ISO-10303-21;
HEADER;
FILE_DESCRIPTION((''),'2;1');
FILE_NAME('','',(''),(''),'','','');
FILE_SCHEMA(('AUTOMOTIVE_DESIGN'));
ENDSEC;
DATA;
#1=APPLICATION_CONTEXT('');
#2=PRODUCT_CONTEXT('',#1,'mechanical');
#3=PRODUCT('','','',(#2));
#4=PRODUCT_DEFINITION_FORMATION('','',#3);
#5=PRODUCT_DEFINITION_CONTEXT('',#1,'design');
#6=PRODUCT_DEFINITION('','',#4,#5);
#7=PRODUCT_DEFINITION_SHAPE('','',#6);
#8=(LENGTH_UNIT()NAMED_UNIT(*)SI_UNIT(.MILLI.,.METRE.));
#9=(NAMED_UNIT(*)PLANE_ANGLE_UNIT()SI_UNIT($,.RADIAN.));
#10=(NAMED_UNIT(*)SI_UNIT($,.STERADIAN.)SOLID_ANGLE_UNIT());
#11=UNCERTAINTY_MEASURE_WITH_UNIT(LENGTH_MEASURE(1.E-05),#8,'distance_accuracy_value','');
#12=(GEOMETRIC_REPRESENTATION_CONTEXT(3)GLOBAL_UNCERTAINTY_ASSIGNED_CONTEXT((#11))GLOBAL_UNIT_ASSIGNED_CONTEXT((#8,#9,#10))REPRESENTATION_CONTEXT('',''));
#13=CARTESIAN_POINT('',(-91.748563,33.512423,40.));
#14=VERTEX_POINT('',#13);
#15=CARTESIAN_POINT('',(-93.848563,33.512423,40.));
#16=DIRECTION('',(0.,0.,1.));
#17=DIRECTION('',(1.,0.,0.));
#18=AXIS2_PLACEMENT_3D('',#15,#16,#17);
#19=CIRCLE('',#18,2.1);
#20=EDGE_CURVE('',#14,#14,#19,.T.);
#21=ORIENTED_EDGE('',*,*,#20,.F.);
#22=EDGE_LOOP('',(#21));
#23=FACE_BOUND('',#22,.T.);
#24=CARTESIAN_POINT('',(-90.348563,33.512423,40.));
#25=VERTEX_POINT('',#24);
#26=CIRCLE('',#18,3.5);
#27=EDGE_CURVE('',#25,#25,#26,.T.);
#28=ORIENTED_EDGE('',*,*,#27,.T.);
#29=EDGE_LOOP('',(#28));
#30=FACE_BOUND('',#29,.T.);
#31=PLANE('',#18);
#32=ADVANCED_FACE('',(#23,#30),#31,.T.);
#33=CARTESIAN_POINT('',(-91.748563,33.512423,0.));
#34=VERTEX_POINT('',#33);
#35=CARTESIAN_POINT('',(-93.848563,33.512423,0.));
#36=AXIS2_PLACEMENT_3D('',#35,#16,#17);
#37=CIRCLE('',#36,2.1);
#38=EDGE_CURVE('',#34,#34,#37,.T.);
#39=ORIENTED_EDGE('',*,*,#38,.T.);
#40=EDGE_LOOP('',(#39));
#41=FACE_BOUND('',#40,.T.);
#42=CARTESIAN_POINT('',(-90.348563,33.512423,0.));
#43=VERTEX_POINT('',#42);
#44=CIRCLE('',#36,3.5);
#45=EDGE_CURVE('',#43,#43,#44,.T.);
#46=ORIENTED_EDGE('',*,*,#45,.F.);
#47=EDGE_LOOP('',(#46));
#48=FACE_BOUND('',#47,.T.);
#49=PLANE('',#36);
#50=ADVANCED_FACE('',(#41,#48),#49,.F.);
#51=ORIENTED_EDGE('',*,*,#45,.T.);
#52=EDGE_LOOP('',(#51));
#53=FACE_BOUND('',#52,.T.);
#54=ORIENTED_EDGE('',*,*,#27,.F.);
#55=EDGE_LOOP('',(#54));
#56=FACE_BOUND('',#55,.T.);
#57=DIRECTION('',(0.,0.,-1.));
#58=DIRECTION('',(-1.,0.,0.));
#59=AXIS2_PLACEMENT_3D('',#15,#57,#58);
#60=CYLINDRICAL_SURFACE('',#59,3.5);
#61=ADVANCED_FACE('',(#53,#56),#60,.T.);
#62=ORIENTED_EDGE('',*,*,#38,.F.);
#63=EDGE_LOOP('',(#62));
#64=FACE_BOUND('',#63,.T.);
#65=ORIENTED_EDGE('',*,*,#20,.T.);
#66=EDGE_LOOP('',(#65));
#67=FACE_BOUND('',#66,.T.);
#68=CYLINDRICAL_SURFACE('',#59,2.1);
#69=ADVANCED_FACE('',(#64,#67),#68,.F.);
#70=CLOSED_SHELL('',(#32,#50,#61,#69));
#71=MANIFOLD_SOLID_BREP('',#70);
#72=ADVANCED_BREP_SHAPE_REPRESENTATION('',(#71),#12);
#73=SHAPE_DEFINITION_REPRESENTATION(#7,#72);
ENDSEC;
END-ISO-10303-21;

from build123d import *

# Parameters (mm, degrees)
SKETCH1_R           = 3.5
SKETCH1_R_2         = 2.1
BOSS_EXTRUDE1_DEPTH = 40


with BuildPart() as part:
    # Sketch1 → Boss-Extrude1 (new body)
    with BuildSketch(Plane.XY):
        with Locations((-93.848562649, 33.512423495)):
            Circle(SKETCH1_R)
        with Locations((-93.848562649, 33.512423495)):
            Circle(SKETCH1_R_2, mode=Mode.SUBTRACT)
    extrude(amount=BOSS_EXTRUDE1_DEPTH)


solid = part.part
